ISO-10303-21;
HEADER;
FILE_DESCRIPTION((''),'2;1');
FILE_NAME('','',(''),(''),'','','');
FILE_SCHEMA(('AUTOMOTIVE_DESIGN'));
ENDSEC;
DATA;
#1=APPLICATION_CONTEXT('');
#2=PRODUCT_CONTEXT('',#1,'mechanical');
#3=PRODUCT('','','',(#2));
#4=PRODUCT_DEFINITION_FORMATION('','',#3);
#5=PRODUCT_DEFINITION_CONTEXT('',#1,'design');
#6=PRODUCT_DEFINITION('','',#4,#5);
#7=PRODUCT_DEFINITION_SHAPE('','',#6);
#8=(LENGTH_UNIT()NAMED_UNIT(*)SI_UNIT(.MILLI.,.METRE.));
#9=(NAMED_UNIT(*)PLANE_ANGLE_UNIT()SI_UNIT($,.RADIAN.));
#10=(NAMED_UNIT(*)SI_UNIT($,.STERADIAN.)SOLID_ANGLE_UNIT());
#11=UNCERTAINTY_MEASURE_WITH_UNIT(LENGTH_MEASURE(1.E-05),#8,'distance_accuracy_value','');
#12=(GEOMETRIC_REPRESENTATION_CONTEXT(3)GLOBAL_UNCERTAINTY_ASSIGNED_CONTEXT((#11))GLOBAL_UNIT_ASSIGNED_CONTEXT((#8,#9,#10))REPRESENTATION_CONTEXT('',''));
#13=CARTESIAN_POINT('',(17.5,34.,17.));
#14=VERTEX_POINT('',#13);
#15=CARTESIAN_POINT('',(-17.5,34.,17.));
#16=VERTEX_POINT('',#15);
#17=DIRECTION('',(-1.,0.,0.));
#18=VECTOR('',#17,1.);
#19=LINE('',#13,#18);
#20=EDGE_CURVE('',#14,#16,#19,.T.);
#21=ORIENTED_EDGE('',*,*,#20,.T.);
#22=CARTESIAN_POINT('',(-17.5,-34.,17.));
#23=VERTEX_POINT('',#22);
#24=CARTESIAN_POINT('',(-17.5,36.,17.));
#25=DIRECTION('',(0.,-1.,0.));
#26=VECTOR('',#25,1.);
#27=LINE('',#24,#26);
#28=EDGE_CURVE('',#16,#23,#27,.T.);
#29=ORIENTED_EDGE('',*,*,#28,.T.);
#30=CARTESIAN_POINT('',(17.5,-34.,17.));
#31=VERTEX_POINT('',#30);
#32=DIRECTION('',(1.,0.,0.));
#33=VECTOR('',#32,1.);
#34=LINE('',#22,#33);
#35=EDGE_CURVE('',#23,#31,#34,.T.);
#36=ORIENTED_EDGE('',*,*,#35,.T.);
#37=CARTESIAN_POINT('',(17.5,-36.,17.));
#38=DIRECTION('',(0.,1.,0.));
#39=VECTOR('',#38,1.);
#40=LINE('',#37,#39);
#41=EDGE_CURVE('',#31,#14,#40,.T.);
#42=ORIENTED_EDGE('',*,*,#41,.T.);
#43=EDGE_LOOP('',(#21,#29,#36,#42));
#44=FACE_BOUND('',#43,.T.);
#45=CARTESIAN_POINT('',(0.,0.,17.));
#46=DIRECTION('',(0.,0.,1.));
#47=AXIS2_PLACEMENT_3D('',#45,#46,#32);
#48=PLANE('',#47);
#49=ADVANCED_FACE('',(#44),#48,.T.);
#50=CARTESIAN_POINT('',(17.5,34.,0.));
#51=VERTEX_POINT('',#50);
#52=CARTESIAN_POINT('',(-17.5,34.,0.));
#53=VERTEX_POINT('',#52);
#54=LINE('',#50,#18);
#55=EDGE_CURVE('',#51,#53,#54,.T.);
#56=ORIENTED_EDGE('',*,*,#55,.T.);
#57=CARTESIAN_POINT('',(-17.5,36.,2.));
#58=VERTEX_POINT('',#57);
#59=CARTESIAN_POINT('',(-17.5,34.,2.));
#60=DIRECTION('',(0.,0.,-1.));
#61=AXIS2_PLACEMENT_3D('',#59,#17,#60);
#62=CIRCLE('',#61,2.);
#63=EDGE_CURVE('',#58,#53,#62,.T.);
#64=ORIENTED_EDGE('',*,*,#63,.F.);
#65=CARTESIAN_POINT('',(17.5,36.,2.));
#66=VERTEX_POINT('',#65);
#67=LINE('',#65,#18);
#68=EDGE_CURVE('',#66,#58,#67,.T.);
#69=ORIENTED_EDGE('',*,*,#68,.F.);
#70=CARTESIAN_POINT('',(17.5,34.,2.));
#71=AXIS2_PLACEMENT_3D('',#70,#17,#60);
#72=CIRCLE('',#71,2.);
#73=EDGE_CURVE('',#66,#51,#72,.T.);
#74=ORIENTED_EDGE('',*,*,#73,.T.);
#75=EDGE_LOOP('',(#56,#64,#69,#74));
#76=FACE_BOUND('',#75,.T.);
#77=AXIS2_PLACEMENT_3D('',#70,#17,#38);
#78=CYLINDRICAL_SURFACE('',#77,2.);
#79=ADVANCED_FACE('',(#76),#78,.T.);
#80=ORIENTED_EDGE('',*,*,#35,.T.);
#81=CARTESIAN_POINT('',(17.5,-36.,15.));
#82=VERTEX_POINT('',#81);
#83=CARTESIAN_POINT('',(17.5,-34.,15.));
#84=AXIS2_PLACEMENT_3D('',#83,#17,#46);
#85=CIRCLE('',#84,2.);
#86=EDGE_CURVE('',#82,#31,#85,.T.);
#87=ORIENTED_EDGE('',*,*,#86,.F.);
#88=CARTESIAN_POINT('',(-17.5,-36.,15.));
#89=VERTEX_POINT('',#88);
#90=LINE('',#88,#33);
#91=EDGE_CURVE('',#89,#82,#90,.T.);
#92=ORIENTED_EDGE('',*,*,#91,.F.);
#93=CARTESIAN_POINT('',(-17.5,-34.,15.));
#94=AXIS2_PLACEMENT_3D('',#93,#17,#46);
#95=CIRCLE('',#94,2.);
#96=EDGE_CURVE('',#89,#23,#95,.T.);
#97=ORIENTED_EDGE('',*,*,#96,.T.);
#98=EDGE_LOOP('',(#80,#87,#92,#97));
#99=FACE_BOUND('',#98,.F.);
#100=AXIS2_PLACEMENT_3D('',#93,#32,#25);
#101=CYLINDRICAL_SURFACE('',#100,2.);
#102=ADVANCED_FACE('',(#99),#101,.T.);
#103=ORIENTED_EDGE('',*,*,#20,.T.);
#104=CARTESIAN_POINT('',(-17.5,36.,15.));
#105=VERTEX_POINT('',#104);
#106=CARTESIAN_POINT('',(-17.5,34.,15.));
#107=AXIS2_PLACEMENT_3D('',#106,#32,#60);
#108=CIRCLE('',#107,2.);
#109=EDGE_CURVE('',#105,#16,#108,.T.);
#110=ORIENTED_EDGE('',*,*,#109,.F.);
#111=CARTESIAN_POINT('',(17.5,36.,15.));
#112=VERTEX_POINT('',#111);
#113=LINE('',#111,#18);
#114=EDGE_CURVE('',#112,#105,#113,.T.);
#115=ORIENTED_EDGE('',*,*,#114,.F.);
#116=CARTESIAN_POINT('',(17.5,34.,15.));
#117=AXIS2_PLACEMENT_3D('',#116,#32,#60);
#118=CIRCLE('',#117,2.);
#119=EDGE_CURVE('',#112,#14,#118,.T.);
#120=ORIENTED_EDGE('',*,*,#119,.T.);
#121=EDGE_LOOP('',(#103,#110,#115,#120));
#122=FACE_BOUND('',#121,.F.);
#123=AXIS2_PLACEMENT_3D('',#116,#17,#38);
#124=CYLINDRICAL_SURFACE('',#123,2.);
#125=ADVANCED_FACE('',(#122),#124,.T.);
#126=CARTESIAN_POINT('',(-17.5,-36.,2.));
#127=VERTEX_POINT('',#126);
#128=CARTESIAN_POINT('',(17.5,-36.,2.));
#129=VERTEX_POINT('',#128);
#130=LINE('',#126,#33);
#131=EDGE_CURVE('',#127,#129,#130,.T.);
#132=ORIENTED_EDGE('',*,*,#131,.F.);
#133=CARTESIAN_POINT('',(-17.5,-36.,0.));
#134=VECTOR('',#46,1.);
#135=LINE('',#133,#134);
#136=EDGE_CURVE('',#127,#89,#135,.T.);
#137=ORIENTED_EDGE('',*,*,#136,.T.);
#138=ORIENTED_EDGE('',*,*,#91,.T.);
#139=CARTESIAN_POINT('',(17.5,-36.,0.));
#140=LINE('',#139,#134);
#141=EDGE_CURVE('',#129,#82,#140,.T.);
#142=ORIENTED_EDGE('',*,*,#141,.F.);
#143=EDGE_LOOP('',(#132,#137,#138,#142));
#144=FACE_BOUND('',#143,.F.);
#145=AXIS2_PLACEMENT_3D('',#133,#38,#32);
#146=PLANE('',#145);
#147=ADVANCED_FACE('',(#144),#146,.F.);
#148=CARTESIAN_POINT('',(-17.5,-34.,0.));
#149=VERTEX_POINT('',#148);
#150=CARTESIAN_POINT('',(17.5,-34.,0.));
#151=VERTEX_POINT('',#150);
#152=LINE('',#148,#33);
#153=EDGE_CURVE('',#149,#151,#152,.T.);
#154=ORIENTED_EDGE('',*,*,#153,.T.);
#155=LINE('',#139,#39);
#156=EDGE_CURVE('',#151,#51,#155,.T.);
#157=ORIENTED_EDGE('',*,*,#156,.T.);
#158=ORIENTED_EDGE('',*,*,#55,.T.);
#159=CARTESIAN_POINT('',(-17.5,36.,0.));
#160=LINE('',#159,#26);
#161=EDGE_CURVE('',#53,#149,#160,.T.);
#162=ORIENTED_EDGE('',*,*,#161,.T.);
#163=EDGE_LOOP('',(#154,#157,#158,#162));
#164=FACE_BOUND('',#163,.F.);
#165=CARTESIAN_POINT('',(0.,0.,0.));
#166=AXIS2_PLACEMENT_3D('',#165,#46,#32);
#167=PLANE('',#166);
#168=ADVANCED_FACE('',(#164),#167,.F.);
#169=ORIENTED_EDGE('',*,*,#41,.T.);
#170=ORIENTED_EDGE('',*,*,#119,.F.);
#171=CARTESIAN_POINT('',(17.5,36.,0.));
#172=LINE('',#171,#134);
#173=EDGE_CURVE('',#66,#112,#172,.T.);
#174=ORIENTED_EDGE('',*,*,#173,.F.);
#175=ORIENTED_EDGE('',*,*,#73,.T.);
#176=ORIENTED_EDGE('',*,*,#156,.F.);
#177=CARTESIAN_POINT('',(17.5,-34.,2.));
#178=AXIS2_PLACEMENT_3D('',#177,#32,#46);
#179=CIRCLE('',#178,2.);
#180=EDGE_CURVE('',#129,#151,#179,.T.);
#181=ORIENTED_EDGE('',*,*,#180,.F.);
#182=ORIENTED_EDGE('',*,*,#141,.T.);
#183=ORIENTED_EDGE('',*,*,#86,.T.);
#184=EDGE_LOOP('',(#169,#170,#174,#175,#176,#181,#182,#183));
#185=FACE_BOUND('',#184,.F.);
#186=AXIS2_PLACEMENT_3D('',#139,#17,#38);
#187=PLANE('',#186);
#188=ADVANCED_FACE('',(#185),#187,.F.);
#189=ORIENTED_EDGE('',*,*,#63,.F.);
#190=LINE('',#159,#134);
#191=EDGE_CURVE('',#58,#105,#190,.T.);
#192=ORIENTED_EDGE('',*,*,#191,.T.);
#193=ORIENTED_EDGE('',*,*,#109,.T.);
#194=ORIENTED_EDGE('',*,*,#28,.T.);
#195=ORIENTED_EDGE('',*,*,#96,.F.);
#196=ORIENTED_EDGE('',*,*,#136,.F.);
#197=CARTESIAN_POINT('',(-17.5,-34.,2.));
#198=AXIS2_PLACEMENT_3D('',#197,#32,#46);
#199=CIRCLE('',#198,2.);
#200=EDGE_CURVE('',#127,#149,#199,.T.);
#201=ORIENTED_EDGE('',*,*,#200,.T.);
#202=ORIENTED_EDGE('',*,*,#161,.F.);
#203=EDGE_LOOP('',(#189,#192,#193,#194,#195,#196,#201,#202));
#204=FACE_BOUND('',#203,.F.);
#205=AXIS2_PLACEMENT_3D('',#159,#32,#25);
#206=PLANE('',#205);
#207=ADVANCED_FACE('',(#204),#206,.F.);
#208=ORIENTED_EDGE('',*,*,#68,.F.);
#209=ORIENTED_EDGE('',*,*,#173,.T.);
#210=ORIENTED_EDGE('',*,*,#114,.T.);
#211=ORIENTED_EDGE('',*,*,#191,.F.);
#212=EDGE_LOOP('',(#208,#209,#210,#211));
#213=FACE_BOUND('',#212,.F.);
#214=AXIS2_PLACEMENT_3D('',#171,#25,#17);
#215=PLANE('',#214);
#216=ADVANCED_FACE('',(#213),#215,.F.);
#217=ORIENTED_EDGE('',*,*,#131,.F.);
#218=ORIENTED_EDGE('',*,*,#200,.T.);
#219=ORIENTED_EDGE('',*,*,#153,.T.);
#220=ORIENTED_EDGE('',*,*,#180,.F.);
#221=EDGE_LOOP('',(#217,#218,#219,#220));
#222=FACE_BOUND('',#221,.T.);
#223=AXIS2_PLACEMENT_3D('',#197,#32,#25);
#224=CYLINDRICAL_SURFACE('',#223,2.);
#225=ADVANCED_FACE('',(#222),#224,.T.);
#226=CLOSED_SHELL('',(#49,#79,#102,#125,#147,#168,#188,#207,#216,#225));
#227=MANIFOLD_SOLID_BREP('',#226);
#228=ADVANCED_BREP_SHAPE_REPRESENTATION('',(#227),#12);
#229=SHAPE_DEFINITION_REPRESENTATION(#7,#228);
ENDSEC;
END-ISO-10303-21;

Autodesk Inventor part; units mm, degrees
ref_plane "YZ Plane" through (0, 0, 0) normal (1, 0, 0) x (0, 1, 0)
ref_plane "XZ Plane" through (0, 0, 0) normal (0, 1, 0) x (-1, 0, 0)
ref_plane "XY Plane" through (0, 0, 0) normal (0, 0, 1) x (1, 0, 0)
sketch "Sketch1" plane through (0, 0, 0) normal (0, 0, 1) x (1, 0, 0)
  line L0 (-17.5, -36) -> (17.5, -36)
  line L1 (17.5, -36) -> (17.5, 36)
  line L2 (17.5, 36) -> (-17.5, 36)
  line L3 (-17.5, 36) -> (-17.5, -36)
  line L4 (-17.5, -36) -> (17.5, 36) construction
  line L5 (17.5, -36) -> (-17.5, 36) construction
  point P0 (0, 0)
  dimension "d0" = 35
  dimension "d1" = 72
extrude "Extrusion1" add sketch "Sketch1" along normal blind 17
fillet "Fillet1" radius 2 4 edges at (0, 36, 17) (0, 36, 0) (0, -36, 0) (0, -36, 17)
sketch "Sketch3" plane through (0, 0, 17) normal (0, 0, 1) x (1, 0, 0)
  line L0 (-6.9109, -19.3056) -> (-6.9109, -0.1322) construction
  line L1 (-6.9109, -0.1322) -> (3.5024, -0.1322) construction
  line L2 (3.5024, -0.1322) -> (3.5024, -19.3056) construction
  line L3 (3.5024, -19.3056) -> (-6.9109, -19.3056) construction
  line L4 (9.9359, 20.457) -> (9.9359, 30.0692) construction
  line L5 (9.9359, 30.0692) -> (13.5919, 30.0692) construction
  line L6 (13.5919, 30.0692) -> (13.5919, 20.457) construction
  line L7 (13.5919, 20.457) -> (9.9359, 20.457) construction
  line L8 (-15.0335, -33.4145) -> (-15.0335, -5.4059) construction
  line L9 (-15.0335, -5.4059) -> (-7.1638, -5.4059) construction
  line L10 (-7.1638, -5.4059) -> (-7.1638, -33.4145) construction
  line L11 (-7.1638, -33.4145) -> (-15.0335, -33.4145) construction
  point P0 (0, 0)
properties part number "Baterai 1.0"
